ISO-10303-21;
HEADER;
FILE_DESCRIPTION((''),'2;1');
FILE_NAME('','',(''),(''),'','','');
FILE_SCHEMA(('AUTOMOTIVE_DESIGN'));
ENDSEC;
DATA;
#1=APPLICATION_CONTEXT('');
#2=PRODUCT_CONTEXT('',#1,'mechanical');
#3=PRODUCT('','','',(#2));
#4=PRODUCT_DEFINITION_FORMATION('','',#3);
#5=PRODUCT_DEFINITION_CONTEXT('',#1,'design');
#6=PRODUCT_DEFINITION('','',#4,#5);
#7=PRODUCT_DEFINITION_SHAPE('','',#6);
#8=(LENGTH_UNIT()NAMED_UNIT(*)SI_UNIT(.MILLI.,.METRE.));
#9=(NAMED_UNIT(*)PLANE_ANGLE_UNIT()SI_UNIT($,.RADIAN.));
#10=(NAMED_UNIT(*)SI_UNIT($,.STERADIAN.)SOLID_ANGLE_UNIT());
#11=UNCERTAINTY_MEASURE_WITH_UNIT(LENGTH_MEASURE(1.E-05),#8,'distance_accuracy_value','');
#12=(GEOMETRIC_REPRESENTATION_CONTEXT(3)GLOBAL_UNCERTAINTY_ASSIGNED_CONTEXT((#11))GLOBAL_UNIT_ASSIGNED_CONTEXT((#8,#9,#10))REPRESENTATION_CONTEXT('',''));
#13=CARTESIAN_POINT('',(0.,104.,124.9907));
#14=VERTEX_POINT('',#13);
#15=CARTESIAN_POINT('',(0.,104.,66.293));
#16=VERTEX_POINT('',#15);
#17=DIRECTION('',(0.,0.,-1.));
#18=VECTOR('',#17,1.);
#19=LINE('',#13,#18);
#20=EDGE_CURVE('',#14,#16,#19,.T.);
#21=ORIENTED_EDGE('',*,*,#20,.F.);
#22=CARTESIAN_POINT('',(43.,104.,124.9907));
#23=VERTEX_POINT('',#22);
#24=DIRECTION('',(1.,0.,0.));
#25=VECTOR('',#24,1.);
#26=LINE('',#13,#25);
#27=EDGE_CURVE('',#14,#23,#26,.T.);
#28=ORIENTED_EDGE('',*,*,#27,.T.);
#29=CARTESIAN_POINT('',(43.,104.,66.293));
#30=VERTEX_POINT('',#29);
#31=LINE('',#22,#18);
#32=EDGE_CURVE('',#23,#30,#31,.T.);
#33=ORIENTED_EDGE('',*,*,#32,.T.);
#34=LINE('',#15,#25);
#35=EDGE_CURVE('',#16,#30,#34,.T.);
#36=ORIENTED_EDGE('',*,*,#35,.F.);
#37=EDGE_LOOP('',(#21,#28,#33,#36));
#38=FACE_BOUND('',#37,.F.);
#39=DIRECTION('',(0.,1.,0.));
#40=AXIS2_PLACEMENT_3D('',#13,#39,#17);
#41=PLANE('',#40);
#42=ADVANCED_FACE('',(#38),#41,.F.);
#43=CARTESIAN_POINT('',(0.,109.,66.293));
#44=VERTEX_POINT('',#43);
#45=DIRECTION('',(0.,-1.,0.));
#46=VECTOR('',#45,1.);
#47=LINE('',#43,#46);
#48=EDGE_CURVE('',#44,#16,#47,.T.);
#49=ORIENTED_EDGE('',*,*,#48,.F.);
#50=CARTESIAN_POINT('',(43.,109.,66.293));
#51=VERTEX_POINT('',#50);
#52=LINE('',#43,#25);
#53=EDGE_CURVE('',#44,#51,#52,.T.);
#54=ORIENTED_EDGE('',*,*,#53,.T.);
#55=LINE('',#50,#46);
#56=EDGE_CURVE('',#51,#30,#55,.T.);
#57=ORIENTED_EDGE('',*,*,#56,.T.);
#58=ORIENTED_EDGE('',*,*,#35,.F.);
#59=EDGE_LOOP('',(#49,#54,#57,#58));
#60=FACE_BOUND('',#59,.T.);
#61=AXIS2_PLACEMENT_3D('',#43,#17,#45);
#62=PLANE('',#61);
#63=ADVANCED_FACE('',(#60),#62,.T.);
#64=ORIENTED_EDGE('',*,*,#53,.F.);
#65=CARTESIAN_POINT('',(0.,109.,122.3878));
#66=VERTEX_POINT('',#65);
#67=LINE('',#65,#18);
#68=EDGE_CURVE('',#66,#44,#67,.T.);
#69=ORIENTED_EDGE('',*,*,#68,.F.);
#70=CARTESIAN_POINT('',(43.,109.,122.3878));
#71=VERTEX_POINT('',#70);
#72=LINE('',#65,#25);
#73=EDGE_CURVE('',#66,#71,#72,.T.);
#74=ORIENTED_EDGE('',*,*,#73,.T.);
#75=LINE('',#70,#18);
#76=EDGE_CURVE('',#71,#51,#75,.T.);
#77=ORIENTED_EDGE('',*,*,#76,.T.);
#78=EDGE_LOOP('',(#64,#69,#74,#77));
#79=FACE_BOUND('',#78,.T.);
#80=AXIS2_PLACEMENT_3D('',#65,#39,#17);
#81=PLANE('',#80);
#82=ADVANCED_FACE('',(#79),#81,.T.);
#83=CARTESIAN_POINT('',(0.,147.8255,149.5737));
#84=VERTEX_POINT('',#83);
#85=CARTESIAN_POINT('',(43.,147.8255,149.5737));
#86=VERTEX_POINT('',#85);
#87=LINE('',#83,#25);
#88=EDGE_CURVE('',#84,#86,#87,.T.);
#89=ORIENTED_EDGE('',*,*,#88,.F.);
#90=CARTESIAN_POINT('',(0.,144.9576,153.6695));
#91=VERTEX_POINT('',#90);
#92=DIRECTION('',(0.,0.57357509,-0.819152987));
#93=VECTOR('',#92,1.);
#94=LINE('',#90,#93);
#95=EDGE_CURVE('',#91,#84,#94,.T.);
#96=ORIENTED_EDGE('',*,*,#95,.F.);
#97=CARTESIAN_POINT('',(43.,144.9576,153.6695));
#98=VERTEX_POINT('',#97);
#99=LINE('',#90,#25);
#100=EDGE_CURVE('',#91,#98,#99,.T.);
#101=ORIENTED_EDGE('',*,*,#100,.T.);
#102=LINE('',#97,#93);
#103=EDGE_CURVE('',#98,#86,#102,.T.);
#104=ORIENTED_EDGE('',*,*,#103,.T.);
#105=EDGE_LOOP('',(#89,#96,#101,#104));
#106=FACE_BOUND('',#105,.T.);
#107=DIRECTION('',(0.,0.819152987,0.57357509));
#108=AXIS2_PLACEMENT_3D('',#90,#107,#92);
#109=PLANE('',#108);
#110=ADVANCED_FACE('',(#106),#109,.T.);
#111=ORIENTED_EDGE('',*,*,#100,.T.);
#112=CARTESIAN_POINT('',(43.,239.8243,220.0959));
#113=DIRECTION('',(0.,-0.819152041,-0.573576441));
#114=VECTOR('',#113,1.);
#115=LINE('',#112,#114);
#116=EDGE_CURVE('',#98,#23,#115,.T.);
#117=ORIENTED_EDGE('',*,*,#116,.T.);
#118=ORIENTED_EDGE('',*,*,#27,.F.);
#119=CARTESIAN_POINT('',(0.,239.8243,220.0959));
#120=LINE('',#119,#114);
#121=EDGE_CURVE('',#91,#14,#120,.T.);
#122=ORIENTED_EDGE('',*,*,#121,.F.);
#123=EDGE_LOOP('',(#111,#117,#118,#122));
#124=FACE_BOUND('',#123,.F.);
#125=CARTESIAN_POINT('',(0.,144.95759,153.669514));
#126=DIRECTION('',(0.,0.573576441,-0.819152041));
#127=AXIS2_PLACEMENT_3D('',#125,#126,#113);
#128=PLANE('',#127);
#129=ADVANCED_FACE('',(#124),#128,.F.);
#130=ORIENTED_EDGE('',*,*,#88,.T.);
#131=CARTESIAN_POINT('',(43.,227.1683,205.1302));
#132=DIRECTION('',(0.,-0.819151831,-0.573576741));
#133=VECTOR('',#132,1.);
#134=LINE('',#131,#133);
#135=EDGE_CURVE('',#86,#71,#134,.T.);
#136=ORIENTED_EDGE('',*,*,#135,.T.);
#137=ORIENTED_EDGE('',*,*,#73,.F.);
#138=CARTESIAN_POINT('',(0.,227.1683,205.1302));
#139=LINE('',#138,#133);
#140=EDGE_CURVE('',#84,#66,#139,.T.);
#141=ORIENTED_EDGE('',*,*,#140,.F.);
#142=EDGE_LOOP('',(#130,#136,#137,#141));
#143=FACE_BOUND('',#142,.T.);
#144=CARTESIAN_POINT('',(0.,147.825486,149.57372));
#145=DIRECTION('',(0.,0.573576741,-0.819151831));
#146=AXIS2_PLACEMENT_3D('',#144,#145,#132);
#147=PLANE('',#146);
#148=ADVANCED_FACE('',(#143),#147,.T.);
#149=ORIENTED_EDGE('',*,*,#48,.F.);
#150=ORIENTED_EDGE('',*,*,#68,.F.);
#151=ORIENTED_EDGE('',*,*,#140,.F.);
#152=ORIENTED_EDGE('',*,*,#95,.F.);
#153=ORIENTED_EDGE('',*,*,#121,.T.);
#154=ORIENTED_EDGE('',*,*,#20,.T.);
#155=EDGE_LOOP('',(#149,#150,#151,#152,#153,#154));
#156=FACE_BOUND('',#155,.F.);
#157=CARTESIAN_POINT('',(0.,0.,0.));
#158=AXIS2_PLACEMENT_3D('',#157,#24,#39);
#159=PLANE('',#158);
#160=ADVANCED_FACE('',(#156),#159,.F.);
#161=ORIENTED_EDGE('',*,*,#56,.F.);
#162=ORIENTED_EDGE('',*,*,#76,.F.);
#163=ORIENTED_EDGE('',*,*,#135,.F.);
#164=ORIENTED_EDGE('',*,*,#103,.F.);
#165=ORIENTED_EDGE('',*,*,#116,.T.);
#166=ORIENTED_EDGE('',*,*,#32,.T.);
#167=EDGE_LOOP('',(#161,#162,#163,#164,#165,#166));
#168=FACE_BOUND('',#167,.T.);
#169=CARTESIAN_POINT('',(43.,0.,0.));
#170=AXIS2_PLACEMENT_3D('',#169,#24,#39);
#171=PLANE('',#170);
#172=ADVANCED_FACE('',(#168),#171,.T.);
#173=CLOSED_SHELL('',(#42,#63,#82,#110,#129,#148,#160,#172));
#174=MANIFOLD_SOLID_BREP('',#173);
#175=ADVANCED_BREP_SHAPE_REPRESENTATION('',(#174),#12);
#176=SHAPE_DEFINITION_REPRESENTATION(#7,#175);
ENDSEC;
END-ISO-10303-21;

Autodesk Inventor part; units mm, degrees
ref_plane "YZ Plane" through (0, 0, 0) normal (1, 0, 0) x (0, 1, 0)
ref_plane "XZ Plane" through (0, 0, 0) normal (0, 1, 0) x (-1, 0, 0)
ref_plane "XY Plane" through (0, 0, 0) normal (0, 0, 1) x (1, 0, 0)
sketch "Sketch1" plane through (0, 0, 0) normal (1, 0, 0) x (0, 1, 0)
  line L0 (104, 124.9907) -> (104, 66.293)
  line L1 (239.8243, 220.0959) -> (104, 124.9907)
  line L2 (227.1683, 205.1302) -> (109, 122.3878)
  line L3 (109, 122.3878) -> (109, 66.293)
  line L4 (144.9576, 153.6695) -> (147.8255, 149.5737)
  line L5 (109, 66.293) -> (104, 66.293)
  point P0 (0, 0)
  dimension "d2" = 58.6977
  dimension "d3" = 50
extrude "Extrusion1" add sketch "Sketch1" along normal blind 43
properties part number "shooter bracket without motor"
